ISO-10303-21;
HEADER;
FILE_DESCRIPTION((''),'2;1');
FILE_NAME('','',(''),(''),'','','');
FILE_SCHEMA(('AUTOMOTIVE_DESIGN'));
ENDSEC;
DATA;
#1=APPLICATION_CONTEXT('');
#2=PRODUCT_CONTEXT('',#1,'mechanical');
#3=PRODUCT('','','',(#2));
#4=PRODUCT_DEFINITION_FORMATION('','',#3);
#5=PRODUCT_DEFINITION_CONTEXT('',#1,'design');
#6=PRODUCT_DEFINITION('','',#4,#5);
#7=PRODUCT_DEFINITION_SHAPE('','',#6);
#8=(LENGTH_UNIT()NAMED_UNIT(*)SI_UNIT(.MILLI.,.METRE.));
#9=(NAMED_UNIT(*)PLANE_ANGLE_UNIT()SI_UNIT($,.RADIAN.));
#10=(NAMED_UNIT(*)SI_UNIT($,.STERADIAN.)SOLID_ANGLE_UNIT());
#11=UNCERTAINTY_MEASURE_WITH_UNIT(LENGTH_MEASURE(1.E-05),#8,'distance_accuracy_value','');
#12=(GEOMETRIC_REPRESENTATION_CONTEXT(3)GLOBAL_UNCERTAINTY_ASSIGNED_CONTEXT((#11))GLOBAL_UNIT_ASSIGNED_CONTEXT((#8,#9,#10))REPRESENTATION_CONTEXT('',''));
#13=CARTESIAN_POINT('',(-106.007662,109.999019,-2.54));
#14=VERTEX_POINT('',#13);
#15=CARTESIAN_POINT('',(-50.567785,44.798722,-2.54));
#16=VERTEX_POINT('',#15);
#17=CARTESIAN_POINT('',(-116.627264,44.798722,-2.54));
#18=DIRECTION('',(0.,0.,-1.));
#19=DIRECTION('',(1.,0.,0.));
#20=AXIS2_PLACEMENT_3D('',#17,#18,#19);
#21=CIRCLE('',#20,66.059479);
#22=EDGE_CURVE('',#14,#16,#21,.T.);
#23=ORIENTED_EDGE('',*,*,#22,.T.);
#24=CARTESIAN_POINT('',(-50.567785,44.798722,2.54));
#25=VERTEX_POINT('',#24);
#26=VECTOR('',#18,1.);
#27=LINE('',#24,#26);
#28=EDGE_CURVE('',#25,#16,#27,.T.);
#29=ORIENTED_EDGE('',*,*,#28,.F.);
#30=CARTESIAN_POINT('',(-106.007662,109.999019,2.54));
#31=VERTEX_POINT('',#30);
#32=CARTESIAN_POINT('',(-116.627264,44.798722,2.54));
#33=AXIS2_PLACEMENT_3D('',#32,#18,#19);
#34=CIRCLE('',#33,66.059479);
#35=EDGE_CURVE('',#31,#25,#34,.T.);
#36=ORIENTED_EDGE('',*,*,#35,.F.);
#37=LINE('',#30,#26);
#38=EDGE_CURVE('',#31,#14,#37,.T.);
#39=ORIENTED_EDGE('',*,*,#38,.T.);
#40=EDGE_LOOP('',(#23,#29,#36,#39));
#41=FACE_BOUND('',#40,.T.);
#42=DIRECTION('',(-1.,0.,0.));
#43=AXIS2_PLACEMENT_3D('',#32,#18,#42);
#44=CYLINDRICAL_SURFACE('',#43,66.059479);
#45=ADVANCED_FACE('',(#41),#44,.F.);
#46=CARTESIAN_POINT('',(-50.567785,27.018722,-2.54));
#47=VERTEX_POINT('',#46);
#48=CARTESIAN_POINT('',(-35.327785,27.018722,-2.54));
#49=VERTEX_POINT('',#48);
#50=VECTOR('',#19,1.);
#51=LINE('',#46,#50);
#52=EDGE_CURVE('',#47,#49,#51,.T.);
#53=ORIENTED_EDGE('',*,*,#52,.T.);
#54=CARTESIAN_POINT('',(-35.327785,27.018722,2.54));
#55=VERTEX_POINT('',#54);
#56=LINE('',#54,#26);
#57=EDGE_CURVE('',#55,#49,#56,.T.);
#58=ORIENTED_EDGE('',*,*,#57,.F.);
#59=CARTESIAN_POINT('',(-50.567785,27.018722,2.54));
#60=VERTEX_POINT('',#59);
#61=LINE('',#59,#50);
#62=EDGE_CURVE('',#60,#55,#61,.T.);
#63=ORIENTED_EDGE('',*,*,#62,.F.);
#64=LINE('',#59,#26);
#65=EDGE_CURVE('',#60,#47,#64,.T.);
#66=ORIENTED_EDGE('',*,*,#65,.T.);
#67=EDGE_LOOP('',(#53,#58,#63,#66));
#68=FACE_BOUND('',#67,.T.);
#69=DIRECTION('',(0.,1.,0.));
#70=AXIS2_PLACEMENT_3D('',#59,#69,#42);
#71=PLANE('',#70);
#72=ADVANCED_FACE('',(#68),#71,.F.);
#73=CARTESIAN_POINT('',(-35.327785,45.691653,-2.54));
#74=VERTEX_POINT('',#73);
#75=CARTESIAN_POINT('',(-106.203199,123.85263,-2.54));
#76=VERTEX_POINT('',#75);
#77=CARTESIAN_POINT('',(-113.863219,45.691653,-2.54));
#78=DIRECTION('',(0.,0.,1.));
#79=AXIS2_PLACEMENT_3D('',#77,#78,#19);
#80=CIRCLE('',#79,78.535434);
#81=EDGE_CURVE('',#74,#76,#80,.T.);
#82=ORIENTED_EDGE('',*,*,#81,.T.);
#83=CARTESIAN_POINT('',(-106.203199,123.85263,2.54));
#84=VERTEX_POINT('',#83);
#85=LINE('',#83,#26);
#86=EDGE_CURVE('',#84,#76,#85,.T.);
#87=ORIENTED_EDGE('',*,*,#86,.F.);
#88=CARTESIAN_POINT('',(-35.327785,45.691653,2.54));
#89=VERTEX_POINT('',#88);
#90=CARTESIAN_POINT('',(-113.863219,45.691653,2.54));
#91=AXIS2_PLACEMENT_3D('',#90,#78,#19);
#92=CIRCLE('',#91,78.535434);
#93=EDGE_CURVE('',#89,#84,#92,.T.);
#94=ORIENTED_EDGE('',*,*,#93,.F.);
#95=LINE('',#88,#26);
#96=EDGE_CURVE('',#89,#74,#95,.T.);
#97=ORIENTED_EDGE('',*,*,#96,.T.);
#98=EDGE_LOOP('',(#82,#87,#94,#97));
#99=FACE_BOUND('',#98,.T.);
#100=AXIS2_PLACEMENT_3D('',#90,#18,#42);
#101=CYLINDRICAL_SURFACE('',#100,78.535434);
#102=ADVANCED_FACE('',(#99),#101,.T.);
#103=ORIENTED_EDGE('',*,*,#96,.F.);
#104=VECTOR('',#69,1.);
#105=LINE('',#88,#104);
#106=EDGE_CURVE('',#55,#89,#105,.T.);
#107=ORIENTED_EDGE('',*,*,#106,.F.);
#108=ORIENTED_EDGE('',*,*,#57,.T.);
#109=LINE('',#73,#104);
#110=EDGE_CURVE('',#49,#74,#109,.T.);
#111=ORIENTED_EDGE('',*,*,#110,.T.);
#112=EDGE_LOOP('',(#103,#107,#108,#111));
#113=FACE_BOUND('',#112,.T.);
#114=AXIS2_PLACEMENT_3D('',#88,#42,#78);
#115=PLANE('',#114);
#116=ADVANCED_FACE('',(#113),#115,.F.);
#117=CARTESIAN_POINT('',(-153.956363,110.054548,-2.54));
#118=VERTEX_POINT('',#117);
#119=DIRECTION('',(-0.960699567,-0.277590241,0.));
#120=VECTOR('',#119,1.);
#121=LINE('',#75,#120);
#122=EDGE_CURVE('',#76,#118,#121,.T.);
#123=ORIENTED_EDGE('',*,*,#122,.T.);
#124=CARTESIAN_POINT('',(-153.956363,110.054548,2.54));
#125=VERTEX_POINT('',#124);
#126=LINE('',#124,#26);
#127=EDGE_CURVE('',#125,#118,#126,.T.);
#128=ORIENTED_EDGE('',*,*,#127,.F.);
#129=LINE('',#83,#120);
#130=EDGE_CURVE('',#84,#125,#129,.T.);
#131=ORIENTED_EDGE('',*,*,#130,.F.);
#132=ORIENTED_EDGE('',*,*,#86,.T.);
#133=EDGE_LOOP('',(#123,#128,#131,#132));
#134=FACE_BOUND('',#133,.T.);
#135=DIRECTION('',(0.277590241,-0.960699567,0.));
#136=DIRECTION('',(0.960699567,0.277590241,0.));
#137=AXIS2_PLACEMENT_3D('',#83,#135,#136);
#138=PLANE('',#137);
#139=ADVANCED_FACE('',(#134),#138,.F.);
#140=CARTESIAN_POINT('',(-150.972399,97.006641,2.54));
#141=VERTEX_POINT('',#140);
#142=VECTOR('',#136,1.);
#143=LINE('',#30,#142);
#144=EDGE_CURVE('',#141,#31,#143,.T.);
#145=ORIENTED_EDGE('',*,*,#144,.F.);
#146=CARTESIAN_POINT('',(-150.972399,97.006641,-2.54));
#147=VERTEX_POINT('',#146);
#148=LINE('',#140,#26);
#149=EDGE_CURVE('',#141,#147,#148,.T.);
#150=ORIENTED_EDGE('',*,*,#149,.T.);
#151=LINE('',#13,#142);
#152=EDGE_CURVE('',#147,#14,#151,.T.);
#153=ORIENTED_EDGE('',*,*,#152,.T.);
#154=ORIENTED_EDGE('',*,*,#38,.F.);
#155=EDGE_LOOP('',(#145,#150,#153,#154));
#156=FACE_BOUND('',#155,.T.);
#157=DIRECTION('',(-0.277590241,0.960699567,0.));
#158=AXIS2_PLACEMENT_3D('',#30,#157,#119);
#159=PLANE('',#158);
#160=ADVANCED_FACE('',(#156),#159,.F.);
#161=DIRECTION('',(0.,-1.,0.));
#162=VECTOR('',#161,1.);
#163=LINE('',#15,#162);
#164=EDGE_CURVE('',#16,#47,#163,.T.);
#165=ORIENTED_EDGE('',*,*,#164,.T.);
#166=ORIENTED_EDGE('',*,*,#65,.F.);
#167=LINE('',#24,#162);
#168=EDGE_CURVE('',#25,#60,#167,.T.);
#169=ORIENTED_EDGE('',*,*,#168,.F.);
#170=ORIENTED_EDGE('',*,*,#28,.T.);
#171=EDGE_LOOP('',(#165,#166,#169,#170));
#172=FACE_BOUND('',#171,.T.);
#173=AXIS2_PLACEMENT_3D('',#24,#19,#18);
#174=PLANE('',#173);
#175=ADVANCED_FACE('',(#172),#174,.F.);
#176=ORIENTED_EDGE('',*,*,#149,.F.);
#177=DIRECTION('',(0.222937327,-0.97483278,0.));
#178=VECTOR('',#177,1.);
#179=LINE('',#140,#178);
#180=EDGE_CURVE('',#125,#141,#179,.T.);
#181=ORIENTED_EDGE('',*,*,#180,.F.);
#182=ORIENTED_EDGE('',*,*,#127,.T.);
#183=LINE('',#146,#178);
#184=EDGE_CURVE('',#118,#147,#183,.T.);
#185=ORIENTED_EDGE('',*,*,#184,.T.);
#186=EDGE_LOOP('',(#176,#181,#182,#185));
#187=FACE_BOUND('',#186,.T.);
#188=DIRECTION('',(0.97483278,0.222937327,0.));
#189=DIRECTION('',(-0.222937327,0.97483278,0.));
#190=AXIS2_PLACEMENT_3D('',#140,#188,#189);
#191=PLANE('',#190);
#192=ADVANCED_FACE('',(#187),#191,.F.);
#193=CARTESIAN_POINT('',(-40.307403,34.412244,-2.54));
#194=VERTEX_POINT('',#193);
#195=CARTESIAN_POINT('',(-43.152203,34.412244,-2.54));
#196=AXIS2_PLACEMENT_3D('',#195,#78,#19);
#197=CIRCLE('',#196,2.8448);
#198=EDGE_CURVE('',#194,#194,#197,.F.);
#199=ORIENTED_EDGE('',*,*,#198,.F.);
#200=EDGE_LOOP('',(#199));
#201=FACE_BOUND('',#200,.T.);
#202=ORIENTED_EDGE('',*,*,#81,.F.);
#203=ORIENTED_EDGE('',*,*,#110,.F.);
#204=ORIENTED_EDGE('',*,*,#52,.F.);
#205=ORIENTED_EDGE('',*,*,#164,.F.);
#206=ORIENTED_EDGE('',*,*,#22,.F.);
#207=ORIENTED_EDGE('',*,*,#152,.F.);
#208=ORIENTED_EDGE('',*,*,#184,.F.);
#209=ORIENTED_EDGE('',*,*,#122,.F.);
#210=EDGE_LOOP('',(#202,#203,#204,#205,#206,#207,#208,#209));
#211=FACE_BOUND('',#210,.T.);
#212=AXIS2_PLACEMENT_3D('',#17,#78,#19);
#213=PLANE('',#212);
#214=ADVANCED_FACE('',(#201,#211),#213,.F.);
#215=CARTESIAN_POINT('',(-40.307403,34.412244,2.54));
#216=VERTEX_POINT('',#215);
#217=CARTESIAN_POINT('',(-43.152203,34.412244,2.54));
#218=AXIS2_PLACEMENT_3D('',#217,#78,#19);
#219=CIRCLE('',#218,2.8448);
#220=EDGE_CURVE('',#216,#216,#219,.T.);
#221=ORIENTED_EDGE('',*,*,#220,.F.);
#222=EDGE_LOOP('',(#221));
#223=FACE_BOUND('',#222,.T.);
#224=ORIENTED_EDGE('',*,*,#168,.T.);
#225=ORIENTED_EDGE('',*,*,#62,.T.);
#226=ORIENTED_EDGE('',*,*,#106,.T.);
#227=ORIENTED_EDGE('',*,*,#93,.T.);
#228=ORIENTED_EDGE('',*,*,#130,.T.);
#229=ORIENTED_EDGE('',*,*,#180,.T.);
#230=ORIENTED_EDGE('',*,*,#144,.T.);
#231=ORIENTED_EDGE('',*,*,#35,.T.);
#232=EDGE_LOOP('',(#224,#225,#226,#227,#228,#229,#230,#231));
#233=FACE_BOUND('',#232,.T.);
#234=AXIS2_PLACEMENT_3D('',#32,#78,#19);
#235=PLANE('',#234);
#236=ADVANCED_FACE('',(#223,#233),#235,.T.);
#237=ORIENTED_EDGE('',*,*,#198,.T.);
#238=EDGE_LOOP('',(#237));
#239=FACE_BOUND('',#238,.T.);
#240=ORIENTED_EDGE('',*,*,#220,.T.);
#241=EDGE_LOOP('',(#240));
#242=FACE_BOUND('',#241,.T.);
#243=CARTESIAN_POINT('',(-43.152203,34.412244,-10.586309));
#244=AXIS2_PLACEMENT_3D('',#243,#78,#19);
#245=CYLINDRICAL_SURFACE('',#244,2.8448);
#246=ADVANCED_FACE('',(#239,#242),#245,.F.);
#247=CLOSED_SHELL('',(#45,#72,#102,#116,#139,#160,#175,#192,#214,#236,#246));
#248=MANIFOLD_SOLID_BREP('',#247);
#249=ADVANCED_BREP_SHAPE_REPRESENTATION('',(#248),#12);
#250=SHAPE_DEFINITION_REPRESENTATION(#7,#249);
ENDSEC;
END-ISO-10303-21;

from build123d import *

# Parameters (mm, degrees)
BOSS_EXTRUDE1_DEPTH = 2.54
SKETCH2_R           = 2.8448
CUT_EXTRUDE1_DEPTH  = 5.08


with BuildPart() as part:
    # Sketch1 → Boss-Extrude1 (new body, symmetric)
    with BuildSketch(Plane.XY):
        with BuildLine():
            Line((-106.203198828, 123.8526304), (-153.956362537, 110.054547529))
            Line((-153.956362537, 110.054547529), (-150.972399128, 97.006641248))
            Line((-150.972399128, 97.006641248), (-106.007662429, 109.999019449))
            ThreePointArc((-106.007662429, 109.999019449), (-66.301425243, 87.590832017), (-50.567785145, 44.798721708))
            Line((-50.567785145, 44.798721708), (-50.567785145, 27.018721708))
            Line((-50.567785145, 27.018721708), (-35.327785145, 27.018721708))
            Line((-35.327785145, 27.018721708), (-35.327785145, 45.691652598))
            ThreePointArc((-35.327785145, 45.691652598), (-55.685055667, 98.44689574), (-106.203198828, 123.8526304))
        make_face()
    extrude(amount=BOSS_EXTRUDE1_DEPTH, both=True)

    # Sketch2 → Cut-Extrude1 (cut)
    with BuildSketch(Plane.XY.offset(2.54)):
        with Locations((-43.152202962, 34.412244361)):
            Circle(SKETCH2_R)
    extrude(amount=-CUT_EXTRUDE1_DEPTH, mode=Mode.SUBTRACT)


solid = part.part
